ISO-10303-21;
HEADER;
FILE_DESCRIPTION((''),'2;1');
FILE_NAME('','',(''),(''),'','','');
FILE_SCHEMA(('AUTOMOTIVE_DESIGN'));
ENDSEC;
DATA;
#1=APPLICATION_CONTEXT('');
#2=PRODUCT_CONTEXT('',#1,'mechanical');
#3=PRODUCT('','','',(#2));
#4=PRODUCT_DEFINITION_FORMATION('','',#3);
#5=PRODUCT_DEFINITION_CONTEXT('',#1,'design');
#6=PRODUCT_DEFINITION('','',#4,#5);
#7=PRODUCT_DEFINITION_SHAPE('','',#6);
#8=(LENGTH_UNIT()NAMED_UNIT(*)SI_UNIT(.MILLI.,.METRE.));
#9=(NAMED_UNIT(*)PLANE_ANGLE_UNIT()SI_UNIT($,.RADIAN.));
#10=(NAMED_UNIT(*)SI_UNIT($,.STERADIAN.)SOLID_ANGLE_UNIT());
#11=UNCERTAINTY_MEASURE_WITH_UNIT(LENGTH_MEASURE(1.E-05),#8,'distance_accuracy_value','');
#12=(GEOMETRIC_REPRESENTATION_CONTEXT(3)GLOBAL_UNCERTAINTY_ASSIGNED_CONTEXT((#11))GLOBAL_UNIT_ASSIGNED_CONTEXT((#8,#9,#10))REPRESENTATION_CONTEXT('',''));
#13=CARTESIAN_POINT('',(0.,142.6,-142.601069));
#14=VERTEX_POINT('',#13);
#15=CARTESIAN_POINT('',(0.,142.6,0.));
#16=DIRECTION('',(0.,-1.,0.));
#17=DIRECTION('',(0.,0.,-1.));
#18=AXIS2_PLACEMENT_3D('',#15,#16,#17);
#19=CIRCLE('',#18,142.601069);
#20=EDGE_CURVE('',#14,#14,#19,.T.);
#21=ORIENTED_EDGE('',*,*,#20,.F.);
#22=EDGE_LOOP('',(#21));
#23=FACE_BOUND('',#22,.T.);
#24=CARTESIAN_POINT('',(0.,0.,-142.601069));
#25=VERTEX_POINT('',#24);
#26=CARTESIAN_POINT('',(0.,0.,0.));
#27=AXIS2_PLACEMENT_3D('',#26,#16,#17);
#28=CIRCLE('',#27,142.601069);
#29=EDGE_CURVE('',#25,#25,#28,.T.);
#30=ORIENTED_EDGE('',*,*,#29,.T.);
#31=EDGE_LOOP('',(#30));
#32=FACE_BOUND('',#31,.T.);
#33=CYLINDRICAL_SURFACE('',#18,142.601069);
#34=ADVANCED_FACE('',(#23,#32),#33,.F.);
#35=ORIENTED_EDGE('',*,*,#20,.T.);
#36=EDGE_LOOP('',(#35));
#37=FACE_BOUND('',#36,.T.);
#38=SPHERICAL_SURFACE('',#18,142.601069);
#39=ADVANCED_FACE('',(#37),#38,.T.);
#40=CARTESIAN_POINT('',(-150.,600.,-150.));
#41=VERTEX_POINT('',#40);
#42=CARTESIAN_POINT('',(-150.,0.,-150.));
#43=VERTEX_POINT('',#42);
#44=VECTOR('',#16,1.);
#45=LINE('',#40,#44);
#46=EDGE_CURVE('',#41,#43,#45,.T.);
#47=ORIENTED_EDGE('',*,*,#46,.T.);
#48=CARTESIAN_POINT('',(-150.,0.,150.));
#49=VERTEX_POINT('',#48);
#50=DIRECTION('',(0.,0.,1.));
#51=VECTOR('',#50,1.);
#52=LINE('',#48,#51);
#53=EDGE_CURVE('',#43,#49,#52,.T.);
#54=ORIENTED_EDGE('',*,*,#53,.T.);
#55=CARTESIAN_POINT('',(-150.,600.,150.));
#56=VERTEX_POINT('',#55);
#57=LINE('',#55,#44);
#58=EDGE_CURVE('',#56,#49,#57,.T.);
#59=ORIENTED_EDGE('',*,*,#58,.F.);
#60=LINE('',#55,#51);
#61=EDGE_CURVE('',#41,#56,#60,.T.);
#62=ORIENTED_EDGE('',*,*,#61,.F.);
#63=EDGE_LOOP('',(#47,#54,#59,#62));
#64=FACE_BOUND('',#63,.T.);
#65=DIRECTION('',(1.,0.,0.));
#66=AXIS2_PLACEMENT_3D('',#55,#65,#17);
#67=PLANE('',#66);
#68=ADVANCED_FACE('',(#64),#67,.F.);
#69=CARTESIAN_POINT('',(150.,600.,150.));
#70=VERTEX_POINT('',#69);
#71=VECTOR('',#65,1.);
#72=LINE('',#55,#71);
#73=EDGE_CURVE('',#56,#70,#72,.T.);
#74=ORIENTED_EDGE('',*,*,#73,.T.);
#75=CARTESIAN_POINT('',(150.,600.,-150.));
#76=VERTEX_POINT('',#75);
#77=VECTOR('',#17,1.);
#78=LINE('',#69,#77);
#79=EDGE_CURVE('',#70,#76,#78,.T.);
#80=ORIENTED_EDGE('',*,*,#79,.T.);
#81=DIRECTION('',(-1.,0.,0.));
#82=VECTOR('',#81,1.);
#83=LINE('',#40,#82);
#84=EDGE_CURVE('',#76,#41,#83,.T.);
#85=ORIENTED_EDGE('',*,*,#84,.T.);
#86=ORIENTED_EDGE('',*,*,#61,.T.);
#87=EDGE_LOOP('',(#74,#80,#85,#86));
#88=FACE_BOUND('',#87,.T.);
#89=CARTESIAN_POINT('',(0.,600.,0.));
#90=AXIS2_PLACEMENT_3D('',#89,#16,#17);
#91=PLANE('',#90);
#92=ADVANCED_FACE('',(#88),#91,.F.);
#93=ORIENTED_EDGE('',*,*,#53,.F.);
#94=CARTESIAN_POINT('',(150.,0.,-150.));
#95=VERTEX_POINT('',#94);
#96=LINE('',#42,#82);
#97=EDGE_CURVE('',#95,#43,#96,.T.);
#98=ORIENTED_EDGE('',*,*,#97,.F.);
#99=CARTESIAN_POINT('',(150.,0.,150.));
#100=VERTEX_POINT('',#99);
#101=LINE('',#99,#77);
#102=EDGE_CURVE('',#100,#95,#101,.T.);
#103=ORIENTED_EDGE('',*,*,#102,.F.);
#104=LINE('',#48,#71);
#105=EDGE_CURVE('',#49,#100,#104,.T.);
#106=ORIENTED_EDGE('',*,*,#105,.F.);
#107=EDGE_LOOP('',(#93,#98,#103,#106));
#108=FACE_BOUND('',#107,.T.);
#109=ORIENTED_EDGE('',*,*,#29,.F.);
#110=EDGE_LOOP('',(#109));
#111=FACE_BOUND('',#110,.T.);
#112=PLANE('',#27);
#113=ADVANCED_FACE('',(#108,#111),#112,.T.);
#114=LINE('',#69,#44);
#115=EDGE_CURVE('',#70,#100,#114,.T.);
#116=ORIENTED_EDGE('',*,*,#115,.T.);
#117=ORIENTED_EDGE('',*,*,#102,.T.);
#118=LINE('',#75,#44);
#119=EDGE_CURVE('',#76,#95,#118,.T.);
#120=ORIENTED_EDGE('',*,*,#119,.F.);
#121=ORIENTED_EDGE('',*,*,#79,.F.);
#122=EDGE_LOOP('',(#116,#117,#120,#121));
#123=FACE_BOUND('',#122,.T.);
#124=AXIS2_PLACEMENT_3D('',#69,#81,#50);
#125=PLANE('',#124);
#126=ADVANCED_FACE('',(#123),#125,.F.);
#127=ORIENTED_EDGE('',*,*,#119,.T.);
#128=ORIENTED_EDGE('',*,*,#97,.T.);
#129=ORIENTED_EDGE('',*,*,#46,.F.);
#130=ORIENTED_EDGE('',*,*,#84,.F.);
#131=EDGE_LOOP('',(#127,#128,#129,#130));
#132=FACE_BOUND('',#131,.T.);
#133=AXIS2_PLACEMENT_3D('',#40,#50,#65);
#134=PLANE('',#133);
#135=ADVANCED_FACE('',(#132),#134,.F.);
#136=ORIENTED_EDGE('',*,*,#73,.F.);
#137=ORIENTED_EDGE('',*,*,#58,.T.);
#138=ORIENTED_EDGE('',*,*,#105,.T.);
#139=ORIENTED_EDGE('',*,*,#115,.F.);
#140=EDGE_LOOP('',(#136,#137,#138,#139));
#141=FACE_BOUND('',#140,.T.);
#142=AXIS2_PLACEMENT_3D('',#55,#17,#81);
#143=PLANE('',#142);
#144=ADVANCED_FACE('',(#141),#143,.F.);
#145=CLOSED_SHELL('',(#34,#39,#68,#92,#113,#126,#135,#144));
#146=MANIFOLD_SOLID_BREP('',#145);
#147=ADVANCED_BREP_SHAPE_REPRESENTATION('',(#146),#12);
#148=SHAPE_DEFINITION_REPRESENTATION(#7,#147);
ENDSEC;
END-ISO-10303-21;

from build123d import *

# Parameters (mm, degrees)
SKETCH1_W           = 300
SKETCH1_H           = 300
BOSS_EXTRUDE1_DEPTH = 600
SKETCH2_R           = 142.6010694
CUT_EXTRUDE1_DEPTH  = 142.6
REVOLVE1_ANGLE      = 180


with BuildPart() as part:
    # Sketch1 → Boss-Extrude1 (new body)
    with BuildSketch(Plane(origin=(0, 0, 0), x_dir=(1, 0, 0), z_dir=(0, 1, 0))):
        Rectangle(SKETCH1_W, SKETCH1_H)
    extrude(amount=BOSS_EXTRUDE1_DEPTH)

    # Sketch2 → Cut-Extrude1 (cut)
    with BuildSketch(Plane.XZ):
        with Locations(Location((0, 0, 0), (0, 0, 270))):
            Circle(SKETCH2_R)
    extrude(amount=-CUT_EXTRUDE1_DEPTH, mode=Mode.SUBTRACT)

    # Sketch3 → Revolve1 (revolve)
    with BuildSketch(Plane.XZ.offset(-142.6)):
        with BuildLine():
            Line((0, 142.601069387), (0, -142.601069387))
            ThreePointArc((0, -142.601069387), (-142.601069387, 0), (0, 142.601069387))
        make_face()
    revolve(axis=Axis((0, 142.6, 142.601069387), (0, 0, 1)), revolution_arc=REVOLVE1_ANGLE)


solid = part.part
